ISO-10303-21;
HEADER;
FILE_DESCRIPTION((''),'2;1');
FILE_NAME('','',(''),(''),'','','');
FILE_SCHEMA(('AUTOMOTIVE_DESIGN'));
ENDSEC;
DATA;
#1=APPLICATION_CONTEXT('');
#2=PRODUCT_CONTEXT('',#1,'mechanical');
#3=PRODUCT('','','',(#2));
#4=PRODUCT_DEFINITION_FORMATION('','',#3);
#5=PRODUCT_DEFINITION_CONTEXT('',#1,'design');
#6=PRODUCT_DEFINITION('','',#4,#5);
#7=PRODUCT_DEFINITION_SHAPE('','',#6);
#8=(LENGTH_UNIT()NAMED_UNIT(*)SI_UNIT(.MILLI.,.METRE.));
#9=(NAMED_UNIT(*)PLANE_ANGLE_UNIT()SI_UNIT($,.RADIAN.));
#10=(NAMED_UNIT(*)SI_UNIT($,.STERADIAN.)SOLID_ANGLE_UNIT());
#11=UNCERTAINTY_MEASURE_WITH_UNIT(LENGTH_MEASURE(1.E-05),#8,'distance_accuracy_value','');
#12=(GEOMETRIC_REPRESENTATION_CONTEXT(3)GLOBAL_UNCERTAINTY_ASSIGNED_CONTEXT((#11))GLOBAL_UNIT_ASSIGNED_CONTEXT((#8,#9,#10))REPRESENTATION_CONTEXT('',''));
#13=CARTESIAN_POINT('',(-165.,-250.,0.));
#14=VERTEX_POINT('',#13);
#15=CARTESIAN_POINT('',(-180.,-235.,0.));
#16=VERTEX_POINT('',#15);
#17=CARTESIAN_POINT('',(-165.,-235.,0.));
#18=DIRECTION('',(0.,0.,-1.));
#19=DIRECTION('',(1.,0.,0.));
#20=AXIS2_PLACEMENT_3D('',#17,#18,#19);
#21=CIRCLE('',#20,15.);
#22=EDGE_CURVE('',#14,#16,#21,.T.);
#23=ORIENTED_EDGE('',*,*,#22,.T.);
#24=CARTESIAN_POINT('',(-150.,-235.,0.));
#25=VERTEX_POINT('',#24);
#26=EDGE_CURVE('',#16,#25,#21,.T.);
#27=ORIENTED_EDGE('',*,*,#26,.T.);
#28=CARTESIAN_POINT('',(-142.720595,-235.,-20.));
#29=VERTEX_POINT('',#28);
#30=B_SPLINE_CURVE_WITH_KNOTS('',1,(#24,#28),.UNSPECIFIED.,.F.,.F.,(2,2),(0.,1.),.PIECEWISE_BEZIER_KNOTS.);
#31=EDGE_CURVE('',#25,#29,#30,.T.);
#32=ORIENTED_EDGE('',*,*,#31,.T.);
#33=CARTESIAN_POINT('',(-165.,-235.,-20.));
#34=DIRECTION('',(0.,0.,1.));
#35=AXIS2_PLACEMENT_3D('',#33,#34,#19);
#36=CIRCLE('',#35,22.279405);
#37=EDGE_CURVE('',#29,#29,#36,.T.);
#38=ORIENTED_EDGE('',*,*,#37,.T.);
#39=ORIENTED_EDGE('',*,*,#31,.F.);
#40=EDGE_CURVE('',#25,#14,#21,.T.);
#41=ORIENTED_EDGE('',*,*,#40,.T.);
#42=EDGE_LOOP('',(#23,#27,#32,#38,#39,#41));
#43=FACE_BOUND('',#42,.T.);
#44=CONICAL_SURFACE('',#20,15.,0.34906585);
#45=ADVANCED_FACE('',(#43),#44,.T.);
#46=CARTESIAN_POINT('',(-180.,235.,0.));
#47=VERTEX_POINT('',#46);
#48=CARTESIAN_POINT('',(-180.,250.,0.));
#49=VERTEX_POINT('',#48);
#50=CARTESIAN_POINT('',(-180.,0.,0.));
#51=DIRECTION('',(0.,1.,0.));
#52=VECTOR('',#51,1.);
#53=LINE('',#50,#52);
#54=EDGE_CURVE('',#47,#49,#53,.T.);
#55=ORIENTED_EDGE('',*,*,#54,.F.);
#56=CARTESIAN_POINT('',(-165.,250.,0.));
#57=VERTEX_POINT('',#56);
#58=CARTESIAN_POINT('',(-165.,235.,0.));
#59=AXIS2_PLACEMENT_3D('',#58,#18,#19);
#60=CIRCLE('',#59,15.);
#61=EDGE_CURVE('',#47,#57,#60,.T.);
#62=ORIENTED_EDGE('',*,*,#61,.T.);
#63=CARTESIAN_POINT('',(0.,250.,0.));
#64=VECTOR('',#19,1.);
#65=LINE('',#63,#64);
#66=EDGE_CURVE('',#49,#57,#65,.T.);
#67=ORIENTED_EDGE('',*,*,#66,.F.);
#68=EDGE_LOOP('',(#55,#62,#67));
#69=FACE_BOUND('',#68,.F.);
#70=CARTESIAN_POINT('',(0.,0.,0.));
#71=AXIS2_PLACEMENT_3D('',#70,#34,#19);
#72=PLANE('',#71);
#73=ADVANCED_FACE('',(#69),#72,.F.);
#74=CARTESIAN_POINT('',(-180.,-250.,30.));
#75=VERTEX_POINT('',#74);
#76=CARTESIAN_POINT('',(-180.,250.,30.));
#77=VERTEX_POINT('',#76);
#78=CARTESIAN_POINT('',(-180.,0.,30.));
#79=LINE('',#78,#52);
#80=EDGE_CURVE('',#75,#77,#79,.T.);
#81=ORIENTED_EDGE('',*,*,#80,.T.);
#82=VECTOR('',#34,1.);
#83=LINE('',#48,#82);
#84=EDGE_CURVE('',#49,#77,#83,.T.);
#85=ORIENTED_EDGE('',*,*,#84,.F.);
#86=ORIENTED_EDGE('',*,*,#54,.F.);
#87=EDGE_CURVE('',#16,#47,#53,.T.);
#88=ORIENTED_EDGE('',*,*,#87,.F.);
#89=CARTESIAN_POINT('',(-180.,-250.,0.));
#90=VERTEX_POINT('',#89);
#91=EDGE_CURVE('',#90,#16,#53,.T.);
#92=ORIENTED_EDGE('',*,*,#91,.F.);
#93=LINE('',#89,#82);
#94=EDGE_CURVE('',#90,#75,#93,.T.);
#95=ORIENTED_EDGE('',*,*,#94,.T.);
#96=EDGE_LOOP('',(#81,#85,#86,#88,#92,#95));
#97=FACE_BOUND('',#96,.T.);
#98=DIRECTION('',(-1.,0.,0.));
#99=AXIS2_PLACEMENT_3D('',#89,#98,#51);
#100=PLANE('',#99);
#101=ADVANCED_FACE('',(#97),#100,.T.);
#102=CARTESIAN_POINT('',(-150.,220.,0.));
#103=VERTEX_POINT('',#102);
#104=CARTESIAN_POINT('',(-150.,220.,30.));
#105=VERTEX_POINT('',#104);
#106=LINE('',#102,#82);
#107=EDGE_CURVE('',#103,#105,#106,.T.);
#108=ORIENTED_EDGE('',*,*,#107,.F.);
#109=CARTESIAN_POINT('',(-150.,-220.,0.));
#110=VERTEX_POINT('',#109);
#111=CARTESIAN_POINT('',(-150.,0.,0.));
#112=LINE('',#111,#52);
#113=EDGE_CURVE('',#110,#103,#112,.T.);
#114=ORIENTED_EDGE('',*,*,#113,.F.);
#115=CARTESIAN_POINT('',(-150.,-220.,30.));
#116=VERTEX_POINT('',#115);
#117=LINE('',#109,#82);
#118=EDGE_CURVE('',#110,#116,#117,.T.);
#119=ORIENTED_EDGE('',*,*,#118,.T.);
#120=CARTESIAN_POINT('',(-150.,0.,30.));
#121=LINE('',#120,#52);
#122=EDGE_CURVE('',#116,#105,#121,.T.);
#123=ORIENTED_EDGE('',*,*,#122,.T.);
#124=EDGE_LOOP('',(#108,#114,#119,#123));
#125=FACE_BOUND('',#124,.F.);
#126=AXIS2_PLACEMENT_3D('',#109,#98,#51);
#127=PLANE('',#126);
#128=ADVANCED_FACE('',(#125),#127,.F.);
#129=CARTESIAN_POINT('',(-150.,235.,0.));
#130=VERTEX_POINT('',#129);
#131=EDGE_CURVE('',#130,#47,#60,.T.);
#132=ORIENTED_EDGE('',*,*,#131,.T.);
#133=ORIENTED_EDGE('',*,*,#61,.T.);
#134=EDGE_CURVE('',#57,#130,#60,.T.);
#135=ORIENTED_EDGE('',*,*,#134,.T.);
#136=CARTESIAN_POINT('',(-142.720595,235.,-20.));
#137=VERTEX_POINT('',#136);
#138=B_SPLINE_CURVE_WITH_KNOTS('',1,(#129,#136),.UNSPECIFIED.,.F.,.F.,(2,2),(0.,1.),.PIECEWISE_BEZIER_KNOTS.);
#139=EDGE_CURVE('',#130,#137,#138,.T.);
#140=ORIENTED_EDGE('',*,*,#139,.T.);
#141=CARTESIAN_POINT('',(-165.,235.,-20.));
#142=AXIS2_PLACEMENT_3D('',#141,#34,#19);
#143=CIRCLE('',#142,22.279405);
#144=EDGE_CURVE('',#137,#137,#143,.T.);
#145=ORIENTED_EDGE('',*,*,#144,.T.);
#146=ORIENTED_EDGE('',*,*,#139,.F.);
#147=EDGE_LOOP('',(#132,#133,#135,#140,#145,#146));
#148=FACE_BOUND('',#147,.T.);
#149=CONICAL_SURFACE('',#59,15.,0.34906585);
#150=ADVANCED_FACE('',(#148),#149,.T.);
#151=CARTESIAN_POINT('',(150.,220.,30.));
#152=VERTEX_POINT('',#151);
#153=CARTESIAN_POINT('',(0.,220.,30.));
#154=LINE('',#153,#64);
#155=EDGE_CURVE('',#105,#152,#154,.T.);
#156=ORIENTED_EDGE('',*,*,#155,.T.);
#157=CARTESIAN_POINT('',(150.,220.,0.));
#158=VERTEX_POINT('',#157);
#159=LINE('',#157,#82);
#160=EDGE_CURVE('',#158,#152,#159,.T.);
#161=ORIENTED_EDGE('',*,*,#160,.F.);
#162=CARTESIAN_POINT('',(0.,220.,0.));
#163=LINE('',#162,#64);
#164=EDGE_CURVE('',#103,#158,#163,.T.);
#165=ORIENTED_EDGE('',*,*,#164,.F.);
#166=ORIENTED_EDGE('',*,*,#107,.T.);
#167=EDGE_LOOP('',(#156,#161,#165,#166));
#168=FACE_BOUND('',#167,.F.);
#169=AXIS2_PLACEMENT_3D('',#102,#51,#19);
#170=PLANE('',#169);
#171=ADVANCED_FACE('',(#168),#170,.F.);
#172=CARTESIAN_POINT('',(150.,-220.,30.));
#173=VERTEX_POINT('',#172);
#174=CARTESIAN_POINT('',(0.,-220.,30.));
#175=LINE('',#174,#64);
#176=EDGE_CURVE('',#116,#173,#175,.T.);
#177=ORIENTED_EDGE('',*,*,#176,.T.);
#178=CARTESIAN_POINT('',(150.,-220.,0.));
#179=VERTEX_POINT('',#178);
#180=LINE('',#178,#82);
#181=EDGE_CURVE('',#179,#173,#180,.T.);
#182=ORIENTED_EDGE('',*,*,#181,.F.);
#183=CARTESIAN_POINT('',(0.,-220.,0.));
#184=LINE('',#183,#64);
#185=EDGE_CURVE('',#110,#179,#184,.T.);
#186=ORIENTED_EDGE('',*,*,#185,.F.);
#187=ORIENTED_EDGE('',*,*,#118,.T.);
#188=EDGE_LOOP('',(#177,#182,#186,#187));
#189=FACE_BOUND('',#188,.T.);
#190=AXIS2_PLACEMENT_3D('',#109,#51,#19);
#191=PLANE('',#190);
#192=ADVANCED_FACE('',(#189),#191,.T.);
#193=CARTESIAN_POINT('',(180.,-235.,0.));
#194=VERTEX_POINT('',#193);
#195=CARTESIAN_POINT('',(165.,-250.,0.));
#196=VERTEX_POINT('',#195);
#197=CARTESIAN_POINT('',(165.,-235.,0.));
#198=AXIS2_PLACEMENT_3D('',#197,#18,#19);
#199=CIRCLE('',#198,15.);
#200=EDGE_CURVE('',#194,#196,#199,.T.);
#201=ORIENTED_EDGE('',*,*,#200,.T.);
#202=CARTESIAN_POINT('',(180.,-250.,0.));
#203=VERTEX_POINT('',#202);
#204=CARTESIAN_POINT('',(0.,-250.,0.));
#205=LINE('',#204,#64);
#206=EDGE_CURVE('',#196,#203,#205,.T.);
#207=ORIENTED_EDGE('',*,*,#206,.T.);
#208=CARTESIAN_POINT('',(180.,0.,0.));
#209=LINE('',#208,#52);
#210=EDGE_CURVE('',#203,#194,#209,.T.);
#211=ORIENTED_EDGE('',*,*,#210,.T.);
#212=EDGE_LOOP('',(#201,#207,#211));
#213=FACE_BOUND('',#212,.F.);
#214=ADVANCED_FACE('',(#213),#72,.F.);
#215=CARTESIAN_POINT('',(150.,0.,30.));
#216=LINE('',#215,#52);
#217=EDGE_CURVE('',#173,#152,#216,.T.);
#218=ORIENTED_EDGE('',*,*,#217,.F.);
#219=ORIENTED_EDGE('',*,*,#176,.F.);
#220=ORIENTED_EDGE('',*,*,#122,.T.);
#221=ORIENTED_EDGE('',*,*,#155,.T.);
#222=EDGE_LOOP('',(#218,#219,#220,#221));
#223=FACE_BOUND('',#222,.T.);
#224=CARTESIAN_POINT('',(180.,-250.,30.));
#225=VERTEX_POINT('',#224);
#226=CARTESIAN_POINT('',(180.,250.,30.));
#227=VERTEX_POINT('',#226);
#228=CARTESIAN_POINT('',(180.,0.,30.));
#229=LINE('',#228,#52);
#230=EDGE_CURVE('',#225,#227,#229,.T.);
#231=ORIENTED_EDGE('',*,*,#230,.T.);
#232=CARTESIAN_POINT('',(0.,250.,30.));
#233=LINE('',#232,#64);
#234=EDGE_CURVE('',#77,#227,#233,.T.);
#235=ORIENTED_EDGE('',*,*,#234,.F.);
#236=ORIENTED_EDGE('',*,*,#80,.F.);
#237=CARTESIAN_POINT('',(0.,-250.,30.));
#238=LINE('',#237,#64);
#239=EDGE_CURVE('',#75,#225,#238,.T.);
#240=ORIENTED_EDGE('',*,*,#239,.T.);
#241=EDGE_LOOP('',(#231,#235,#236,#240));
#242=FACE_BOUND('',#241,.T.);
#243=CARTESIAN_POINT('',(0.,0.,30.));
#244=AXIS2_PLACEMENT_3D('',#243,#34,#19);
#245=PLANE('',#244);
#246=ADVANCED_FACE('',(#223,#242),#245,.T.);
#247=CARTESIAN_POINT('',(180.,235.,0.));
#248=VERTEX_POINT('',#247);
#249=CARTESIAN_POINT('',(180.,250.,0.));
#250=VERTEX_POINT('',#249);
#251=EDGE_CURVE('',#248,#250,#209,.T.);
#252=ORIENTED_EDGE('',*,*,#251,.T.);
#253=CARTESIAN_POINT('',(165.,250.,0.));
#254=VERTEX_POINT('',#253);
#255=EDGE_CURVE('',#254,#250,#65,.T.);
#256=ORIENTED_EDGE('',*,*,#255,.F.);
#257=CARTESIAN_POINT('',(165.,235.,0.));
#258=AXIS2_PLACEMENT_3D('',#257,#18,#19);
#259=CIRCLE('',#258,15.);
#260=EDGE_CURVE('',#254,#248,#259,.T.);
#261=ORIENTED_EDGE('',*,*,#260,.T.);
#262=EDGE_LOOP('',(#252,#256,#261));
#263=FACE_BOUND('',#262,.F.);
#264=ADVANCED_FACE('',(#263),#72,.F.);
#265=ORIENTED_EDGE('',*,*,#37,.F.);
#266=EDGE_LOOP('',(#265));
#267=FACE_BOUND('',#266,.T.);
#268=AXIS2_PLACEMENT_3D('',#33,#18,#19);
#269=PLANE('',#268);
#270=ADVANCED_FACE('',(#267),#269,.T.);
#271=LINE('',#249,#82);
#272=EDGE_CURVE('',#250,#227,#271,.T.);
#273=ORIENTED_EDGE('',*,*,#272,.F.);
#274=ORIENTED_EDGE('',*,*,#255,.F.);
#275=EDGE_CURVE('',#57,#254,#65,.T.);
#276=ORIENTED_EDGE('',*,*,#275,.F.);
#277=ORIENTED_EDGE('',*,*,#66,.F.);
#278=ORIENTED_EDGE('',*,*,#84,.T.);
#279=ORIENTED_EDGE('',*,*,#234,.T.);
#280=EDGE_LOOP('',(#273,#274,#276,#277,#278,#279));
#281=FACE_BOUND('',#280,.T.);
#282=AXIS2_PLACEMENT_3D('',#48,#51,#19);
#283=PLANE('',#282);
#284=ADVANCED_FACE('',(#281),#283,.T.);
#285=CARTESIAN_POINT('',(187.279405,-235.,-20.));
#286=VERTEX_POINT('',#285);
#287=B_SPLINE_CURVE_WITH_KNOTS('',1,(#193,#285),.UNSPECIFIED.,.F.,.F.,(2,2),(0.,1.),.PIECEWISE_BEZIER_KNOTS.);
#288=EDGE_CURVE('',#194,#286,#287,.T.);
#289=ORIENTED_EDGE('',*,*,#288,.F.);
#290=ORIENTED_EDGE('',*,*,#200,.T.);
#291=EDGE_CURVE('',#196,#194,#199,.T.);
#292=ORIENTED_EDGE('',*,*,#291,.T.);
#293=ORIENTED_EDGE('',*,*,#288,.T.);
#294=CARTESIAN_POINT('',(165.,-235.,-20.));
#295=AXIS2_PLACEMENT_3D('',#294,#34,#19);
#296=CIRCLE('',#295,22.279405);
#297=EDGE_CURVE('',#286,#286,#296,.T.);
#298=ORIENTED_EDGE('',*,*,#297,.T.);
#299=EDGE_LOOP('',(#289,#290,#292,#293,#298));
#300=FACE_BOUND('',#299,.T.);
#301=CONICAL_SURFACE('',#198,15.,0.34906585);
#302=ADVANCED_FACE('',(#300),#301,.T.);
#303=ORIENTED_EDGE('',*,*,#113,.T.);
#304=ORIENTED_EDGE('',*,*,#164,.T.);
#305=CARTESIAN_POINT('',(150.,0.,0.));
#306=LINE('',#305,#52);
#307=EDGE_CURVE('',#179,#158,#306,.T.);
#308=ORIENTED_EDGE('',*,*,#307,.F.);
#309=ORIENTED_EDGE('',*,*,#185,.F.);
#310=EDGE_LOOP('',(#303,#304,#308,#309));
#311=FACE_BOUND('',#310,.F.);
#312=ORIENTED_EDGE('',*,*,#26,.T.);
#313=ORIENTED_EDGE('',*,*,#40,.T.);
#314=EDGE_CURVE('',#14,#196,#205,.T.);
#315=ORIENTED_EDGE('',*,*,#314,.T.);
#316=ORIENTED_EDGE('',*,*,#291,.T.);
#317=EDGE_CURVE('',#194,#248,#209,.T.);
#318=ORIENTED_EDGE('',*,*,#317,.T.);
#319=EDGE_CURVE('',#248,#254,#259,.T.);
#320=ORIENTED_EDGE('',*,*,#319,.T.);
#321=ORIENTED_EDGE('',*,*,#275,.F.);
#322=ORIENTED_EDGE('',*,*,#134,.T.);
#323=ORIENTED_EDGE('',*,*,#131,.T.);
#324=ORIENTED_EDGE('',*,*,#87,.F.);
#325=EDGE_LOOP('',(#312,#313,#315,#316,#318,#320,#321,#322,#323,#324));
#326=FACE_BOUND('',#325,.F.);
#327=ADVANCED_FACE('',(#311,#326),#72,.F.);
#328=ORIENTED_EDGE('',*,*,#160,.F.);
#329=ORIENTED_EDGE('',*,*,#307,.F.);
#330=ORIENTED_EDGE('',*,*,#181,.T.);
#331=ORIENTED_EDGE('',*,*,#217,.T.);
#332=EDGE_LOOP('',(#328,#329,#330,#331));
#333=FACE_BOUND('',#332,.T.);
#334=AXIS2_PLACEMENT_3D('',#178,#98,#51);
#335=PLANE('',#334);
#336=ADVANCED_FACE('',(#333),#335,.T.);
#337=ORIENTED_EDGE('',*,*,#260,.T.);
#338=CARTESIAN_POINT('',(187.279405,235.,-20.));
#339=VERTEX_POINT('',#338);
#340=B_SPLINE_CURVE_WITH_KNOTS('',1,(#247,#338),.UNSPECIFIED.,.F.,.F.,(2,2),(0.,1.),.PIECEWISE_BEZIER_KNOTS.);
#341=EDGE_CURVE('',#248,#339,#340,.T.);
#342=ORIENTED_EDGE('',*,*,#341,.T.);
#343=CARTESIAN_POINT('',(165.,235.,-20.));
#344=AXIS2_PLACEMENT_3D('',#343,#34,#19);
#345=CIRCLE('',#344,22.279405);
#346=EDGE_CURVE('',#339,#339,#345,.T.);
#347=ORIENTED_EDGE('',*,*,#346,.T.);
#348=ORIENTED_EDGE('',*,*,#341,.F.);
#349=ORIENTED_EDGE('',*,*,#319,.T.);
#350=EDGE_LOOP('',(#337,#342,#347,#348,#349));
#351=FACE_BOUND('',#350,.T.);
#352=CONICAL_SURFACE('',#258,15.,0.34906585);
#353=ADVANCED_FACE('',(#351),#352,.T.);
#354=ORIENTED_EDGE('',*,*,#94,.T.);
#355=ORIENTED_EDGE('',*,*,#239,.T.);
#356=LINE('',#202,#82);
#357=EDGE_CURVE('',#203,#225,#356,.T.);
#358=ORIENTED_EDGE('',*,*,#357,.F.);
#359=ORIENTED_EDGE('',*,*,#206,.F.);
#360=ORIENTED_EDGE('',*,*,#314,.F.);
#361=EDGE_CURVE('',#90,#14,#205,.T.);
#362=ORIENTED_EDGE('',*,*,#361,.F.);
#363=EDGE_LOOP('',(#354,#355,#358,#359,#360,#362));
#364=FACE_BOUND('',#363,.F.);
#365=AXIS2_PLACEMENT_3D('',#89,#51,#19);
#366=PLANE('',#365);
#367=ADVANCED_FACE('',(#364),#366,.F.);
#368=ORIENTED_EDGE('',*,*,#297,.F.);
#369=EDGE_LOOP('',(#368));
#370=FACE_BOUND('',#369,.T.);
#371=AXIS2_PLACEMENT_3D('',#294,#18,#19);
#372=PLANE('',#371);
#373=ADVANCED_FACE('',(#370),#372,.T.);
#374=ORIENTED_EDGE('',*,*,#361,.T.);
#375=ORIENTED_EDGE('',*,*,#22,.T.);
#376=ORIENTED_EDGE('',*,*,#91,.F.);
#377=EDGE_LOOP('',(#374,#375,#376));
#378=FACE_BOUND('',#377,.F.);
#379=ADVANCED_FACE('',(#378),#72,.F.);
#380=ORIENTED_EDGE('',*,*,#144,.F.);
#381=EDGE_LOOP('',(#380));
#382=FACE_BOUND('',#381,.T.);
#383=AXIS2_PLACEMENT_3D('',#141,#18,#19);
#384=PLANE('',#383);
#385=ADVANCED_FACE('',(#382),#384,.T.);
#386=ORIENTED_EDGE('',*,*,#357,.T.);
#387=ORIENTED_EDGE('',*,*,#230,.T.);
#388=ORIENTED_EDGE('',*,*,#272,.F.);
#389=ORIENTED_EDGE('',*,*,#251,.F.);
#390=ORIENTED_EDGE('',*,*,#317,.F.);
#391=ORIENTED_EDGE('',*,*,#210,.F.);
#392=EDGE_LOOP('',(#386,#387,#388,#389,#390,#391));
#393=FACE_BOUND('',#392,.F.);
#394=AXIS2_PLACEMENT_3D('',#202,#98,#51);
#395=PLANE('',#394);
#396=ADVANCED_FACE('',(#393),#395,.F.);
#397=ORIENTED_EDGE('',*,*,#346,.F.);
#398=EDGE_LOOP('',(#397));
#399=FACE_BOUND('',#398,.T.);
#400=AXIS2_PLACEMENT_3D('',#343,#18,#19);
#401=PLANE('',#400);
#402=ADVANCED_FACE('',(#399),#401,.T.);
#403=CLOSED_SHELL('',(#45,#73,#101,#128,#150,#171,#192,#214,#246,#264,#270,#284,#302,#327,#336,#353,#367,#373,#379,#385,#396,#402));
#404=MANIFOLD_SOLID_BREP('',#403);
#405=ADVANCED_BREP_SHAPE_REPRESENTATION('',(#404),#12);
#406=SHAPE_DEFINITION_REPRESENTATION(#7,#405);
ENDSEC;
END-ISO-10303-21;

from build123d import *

# Parameters (mm, degrees)
F0_W     = 360
F0_H     = 500
F0_W_2   = 300
F0_H_2   = 440
F1_DEPTH = 30
F2_R     = 15
F3_DEPTH = 20
F3_TAPER = -20


with BuildPart() as f1:
    # F0 (on Top) → F1 (new body)
    with BuildSketch(Plane.XY):
        Rectangle(F0_W, F0_H)
        Rectangle(F0_W_2, F0_H_2, mode=Mode.SUBTRACT)
    extrude(amount=F1_DEPTH)

    # F2 (on face) → F3 (join)
    with BuildSketch(Plane(origin=(0, 0, 0), x_dir=(1, 0, 0), z_dir=(0, 0, -1))):
        with Locations((-165, 235)):
            Circle(F2_R)
        with Locations((-165, -235)):
            Circle(F2_R)
        with Locations((165, 235)):
            Circle(F2_R)
        with Locations((165, -235)):
            Circle(F2_R)
    extrude(amount=F3_DEPTH, taper=F3_TAPER)


solid = f1.part
